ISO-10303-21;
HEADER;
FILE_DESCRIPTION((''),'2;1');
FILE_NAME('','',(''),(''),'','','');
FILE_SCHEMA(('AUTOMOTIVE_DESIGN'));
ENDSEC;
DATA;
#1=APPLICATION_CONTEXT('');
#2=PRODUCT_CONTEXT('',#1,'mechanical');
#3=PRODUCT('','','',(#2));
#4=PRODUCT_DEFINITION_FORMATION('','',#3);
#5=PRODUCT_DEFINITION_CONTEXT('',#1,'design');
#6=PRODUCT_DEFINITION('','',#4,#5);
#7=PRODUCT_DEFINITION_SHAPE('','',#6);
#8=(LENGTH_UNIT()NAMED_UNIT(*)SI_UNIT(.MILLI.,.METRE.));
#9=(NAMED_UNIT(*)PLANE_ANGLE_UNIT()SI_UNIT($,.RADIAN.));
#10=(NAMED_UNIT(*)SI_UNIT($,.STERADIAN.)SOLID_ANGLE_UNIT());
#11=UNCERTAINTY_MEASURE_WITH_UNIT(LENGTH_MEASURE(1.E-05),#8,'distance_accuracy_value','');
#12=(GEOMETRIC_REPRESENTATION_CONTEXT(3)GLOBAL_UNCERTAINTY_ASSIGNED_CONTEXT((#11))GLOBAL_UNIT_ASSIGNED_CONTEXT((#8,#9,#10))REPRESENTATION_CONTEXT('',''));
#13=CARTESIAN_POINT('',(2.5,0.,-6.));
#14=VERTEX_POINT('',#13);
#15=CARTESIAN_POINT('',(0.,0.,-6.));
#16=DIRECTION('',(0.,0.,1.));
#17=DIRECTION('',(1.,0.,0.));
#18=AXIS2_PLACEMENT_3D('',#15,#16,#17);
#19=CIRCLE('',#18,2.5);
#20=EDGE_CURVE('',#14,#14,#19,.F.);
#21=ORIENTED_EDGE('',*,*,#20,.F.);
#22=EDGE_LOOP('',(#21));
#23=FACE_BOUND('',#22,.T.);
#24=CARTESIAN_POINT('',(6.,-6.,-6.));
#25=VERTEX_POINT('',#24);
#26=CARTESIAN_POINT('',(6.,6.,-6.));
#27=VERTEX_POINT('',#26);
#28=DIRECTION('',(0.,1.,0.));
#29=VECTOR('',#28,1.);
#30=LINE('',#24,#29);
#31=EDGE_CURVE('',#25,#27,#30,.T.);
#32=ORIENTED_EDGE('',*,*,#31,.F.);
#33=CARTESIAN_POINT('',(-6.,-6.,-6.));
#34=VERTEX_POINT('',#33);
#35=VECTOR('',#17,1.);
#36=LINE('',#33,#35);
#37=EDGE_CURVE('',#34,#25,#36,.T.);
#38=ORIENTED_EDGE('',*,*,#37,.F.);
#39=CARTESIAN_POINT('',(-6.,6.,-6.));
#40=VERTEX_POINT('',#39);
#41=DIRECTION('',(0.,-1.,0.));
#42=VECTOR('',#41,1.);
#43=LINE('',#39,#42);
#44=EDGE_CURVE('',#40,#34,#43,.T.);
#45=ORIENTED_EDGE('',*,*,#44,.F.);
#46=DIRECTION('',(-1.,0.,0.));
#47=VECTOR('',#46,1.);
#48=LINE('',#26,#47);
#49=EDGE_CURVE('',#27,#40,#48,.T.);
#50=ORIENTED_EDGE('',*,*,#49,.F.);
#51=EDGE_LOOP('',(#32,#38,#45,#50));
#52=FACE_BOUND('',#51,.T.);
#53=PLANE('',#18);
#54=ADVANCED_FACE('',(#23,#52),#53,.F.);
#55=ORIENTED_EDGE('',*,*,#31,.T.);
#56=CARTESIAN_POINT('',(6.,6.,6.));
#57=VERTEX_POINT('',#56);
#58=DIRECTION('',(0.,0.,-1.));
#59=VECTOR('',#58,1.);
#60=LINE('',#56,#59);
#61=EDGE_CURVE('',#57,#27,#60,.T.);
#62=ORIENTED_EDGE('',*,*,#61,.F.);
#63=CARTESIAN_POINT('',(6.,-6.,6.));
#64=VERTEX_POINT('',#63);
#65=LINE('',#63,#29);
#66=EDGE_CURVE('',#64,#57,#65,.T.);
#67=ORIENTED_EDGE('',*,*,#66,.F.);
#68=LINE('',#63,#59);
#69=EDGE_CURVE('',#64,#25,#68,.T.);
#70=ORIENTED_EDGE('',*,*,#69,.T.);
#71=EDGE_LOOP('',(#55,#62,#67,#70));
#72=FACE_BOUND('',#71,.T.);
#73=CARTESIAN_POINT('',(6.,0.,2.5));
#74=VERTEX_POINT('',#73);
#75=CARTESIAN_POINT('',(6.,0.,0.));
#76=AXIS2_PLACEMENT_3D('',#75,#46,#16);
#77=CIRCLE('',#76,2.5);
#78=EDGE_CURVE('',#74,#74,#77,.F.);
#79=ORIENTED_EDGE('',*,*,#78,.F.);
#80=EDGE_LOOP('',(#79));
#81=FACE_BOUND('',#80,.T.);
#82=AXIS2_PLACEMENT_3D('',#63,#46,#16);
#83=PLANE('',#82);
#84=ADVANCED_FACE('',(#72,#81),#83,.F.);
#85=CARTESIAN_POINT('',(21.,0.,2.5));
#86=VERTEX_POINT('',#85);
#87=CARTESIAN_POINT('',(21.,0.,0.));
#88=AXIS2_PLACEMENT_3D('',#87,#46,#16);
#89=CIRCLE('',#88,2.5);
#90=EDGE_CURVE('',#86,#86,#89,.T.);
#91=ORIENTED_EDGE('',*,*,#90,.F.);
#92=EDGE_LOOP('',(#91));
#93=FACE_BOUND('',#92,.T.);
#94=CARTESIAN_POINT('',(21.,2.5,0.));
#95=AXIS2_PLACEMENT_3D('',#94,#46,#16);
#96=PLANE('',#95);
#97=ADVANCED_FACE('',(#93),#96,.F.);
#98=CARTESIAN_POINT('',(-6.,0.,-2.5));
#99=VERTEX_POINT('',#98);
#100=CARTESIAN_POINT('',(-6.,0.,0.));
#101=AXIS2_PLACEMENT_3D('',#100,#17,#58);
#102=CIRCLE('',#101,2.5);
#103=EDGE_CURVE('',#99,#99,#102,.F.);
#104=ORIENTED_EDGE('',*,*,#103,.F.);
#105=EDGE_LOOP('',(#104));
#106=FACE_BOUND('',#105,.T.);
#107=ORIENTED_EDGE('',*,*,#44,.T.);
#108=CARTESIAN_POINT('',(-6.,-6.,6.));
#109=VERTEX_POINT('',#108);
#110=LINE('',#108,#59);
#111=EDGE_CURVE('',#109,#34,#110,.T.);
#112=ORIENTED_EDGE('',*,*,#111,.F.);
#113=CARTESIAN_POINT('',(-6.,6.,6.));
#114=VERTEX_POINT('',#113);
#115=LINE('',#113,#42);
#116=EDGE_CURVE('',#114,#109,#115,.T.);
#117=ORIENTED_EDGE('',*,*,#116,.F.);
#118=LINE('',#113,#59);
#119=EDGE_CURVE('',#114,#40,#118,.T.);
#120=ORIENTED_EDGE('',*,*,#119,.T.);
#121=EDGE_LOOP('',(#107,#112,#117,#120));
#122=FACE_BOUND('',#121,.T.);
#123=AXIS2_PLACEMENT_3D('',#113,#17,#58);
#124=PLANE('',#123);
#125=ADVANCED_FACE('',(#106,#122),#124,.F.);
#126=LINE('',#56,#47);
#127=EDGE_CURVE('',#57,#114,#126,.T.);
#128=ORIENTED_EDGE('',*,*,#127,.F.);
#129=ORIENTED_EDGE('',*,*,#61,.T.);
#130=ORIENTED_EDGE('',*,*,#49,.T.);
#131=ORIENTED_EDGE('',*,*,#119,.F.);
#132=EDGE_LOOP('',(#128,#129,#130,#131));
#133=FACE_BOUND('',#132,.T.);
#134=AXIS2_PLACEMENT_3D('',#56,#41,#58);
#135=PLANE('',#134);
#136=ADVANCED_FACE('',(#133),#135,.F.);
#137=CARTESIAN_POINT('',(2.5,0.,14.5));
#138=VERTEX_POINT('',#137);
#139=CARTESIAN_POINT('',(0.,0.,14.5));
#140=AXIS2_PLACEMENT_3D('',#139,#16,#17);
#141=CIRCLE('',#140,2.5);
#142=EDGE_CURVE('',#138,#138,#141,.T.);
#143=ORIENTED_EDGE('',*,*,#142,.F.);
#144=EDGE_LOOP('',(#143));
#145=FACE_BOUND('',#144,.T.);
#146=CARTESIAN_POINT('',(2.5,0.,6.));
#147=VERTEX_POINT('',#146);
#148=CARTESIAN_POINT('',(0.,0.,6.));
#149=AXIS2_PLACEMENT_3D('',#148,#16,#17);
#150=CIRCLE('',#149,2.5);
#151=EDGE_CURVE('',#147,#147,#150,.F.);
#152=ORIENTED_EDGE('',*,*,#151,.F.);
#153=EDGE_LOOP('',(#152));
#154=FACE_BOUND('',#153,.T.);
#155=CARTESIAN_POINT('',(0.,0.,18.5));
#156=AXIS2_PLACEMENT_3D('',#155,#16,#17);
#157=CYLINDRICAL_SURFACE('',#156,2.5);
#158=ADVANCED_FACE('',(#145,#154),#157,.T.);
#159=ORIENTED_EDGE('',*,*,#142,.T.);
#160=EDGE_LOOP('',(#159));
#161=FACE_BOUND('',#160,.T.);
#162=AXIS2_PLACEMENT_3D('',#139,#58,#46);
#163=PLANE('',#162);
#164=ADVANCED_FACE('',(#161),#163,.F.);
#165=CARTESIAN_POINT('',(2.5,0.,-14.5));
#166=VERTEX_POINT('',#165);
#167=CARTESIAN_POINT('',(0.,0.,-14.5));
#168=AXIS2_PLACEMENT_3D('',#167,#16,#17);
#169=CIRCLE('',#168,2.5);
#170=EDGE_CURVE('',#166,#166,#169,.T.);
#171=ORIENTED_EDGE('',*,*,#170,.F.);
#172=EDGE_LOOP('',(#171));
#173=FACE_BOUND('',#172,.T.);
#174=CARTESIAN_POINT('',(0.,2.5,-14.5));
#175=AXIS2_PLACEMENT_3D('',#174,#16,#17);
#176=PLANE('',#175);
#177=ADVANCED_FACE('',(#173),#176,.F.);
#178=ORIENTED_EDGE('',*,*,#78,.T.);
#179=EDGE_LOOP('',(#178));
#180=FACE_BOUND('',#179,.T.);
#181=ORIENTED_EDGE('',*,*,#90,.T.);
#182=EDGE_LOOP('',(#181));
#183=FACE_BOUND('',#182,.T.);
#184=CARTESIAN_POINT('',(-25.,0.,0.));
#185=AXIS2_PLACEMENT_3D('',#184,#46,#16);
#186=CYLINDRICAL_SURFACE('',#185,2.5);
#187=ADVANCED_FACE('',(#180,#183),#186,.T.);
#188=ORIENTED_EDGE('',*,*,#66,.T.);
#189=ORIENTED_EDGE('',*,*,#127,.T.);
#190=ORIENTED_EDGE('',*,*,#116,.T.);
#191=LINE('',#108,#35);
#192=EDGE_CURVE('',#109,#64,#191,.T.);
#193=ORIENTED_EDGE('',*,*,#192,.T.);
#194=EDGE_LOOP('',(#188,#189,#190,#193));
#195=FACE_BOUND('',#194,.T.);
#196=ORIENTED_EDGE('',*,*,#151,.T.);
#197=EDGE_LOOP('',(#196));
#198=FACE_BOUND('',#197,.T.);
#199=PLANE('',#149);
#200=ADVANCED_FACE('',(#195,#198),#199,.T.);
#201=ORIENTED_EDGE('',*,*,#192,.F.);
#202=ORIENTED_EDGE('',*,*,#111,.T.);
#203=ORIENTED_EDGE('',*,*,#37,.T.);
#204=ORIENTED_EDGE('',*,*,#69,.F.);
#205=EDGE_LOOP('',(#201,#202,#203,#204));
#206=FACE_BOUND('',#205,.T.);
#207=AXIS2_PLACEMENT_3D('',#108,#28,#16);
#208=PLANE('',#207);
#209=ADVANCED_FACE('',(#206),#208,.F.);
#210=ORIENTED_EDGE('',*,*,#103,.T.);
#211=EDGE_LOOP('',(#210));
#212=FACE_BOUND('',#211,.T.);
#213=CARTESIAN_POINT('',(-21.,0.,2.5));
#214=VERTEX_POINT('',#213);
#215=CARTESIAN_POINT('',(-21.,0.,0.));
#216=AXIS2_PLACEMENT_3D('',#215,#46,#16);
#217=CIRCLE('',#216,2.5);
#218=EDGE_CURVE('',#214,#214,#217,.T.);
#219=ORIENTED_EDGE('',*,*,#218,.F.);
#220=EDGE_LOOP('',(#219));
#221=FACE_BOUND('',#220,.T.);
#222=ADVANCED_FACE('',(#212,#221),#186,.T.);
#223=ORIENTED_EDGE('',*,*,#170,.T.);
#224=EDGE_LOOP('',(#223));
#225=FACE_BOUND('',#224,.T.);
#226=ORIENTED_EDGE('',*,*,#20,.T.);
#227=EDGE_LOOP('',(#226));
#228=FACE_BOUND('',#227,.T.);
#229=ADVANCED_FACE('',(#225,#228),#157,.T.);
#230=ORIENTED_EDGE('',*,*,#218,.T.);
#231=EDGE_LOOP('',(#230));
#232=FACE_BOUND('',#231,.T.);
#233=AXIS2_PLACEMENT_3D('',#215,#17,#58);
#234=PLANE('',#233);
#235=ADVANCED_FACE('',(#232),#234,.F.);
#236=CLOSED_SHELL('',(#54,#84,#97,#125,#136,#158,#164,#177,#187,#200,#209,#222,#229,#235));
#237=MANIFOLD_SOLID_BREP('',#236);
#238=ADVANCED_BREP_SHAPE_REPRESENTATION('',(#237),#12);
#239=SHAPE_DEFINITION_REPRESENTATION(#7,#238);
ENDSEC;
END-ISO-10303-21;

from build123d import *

# Parameters (mm, degrees)
SKETCH1_W    = 12
SKETCH1_H    = 12
NUCLEO_DEPTH = 12
SKETCH2_W    = 42
SKETCH2_H    = 2.5
SKETCH3_W    = 29
SKETCH3_H    = 2.5


with BuildPart() as part:
    # Sketch1 → Nucleo (new body)
    with BuildSketch(Plane.XY.offset(-6)):
        Rectangle(SKETCH1_W, SKETCH1_H)
    extrude(amount=NUCLEO_DEPTH)

    # Sketch2 → Eje_flexion (revolve)
    with BuildSketch(Plane.XY, mode=Mode.PRIVATE) as eje_flexion_sk:
        with Locations((0, 1.25)):
            Rectangle(SKETCH2_W, SKETCH2_H)
    revolve(eje_flexion_sk.sketch.rotate(Axis((-25, 0, 0), (1, 0, 0)), 90), axis=Axis((-25, 0, 0), (1, 0, 0)))

    # Sketch3 → Eje_desviacion (revolve)
    with BuildSketch(Plane(origin=(0, 0, 0), x_dir=(0, 0, -1), z_dir=(1, 0, 0)), mode=Mode.PRIVATE) as eje_desviacion_sk:
        with Locations((0, 1.25)):
            Rectangle(SKETCH3_W, SKETCH3_H)
    revolve(eje_desviacion_sk.sketch.rotate(Axis((0, 0, 18.5), (0, 0, -1)), 90), axis=Axis((0, 0, 18.5), (0, 0, -1)))


solid = part.part
